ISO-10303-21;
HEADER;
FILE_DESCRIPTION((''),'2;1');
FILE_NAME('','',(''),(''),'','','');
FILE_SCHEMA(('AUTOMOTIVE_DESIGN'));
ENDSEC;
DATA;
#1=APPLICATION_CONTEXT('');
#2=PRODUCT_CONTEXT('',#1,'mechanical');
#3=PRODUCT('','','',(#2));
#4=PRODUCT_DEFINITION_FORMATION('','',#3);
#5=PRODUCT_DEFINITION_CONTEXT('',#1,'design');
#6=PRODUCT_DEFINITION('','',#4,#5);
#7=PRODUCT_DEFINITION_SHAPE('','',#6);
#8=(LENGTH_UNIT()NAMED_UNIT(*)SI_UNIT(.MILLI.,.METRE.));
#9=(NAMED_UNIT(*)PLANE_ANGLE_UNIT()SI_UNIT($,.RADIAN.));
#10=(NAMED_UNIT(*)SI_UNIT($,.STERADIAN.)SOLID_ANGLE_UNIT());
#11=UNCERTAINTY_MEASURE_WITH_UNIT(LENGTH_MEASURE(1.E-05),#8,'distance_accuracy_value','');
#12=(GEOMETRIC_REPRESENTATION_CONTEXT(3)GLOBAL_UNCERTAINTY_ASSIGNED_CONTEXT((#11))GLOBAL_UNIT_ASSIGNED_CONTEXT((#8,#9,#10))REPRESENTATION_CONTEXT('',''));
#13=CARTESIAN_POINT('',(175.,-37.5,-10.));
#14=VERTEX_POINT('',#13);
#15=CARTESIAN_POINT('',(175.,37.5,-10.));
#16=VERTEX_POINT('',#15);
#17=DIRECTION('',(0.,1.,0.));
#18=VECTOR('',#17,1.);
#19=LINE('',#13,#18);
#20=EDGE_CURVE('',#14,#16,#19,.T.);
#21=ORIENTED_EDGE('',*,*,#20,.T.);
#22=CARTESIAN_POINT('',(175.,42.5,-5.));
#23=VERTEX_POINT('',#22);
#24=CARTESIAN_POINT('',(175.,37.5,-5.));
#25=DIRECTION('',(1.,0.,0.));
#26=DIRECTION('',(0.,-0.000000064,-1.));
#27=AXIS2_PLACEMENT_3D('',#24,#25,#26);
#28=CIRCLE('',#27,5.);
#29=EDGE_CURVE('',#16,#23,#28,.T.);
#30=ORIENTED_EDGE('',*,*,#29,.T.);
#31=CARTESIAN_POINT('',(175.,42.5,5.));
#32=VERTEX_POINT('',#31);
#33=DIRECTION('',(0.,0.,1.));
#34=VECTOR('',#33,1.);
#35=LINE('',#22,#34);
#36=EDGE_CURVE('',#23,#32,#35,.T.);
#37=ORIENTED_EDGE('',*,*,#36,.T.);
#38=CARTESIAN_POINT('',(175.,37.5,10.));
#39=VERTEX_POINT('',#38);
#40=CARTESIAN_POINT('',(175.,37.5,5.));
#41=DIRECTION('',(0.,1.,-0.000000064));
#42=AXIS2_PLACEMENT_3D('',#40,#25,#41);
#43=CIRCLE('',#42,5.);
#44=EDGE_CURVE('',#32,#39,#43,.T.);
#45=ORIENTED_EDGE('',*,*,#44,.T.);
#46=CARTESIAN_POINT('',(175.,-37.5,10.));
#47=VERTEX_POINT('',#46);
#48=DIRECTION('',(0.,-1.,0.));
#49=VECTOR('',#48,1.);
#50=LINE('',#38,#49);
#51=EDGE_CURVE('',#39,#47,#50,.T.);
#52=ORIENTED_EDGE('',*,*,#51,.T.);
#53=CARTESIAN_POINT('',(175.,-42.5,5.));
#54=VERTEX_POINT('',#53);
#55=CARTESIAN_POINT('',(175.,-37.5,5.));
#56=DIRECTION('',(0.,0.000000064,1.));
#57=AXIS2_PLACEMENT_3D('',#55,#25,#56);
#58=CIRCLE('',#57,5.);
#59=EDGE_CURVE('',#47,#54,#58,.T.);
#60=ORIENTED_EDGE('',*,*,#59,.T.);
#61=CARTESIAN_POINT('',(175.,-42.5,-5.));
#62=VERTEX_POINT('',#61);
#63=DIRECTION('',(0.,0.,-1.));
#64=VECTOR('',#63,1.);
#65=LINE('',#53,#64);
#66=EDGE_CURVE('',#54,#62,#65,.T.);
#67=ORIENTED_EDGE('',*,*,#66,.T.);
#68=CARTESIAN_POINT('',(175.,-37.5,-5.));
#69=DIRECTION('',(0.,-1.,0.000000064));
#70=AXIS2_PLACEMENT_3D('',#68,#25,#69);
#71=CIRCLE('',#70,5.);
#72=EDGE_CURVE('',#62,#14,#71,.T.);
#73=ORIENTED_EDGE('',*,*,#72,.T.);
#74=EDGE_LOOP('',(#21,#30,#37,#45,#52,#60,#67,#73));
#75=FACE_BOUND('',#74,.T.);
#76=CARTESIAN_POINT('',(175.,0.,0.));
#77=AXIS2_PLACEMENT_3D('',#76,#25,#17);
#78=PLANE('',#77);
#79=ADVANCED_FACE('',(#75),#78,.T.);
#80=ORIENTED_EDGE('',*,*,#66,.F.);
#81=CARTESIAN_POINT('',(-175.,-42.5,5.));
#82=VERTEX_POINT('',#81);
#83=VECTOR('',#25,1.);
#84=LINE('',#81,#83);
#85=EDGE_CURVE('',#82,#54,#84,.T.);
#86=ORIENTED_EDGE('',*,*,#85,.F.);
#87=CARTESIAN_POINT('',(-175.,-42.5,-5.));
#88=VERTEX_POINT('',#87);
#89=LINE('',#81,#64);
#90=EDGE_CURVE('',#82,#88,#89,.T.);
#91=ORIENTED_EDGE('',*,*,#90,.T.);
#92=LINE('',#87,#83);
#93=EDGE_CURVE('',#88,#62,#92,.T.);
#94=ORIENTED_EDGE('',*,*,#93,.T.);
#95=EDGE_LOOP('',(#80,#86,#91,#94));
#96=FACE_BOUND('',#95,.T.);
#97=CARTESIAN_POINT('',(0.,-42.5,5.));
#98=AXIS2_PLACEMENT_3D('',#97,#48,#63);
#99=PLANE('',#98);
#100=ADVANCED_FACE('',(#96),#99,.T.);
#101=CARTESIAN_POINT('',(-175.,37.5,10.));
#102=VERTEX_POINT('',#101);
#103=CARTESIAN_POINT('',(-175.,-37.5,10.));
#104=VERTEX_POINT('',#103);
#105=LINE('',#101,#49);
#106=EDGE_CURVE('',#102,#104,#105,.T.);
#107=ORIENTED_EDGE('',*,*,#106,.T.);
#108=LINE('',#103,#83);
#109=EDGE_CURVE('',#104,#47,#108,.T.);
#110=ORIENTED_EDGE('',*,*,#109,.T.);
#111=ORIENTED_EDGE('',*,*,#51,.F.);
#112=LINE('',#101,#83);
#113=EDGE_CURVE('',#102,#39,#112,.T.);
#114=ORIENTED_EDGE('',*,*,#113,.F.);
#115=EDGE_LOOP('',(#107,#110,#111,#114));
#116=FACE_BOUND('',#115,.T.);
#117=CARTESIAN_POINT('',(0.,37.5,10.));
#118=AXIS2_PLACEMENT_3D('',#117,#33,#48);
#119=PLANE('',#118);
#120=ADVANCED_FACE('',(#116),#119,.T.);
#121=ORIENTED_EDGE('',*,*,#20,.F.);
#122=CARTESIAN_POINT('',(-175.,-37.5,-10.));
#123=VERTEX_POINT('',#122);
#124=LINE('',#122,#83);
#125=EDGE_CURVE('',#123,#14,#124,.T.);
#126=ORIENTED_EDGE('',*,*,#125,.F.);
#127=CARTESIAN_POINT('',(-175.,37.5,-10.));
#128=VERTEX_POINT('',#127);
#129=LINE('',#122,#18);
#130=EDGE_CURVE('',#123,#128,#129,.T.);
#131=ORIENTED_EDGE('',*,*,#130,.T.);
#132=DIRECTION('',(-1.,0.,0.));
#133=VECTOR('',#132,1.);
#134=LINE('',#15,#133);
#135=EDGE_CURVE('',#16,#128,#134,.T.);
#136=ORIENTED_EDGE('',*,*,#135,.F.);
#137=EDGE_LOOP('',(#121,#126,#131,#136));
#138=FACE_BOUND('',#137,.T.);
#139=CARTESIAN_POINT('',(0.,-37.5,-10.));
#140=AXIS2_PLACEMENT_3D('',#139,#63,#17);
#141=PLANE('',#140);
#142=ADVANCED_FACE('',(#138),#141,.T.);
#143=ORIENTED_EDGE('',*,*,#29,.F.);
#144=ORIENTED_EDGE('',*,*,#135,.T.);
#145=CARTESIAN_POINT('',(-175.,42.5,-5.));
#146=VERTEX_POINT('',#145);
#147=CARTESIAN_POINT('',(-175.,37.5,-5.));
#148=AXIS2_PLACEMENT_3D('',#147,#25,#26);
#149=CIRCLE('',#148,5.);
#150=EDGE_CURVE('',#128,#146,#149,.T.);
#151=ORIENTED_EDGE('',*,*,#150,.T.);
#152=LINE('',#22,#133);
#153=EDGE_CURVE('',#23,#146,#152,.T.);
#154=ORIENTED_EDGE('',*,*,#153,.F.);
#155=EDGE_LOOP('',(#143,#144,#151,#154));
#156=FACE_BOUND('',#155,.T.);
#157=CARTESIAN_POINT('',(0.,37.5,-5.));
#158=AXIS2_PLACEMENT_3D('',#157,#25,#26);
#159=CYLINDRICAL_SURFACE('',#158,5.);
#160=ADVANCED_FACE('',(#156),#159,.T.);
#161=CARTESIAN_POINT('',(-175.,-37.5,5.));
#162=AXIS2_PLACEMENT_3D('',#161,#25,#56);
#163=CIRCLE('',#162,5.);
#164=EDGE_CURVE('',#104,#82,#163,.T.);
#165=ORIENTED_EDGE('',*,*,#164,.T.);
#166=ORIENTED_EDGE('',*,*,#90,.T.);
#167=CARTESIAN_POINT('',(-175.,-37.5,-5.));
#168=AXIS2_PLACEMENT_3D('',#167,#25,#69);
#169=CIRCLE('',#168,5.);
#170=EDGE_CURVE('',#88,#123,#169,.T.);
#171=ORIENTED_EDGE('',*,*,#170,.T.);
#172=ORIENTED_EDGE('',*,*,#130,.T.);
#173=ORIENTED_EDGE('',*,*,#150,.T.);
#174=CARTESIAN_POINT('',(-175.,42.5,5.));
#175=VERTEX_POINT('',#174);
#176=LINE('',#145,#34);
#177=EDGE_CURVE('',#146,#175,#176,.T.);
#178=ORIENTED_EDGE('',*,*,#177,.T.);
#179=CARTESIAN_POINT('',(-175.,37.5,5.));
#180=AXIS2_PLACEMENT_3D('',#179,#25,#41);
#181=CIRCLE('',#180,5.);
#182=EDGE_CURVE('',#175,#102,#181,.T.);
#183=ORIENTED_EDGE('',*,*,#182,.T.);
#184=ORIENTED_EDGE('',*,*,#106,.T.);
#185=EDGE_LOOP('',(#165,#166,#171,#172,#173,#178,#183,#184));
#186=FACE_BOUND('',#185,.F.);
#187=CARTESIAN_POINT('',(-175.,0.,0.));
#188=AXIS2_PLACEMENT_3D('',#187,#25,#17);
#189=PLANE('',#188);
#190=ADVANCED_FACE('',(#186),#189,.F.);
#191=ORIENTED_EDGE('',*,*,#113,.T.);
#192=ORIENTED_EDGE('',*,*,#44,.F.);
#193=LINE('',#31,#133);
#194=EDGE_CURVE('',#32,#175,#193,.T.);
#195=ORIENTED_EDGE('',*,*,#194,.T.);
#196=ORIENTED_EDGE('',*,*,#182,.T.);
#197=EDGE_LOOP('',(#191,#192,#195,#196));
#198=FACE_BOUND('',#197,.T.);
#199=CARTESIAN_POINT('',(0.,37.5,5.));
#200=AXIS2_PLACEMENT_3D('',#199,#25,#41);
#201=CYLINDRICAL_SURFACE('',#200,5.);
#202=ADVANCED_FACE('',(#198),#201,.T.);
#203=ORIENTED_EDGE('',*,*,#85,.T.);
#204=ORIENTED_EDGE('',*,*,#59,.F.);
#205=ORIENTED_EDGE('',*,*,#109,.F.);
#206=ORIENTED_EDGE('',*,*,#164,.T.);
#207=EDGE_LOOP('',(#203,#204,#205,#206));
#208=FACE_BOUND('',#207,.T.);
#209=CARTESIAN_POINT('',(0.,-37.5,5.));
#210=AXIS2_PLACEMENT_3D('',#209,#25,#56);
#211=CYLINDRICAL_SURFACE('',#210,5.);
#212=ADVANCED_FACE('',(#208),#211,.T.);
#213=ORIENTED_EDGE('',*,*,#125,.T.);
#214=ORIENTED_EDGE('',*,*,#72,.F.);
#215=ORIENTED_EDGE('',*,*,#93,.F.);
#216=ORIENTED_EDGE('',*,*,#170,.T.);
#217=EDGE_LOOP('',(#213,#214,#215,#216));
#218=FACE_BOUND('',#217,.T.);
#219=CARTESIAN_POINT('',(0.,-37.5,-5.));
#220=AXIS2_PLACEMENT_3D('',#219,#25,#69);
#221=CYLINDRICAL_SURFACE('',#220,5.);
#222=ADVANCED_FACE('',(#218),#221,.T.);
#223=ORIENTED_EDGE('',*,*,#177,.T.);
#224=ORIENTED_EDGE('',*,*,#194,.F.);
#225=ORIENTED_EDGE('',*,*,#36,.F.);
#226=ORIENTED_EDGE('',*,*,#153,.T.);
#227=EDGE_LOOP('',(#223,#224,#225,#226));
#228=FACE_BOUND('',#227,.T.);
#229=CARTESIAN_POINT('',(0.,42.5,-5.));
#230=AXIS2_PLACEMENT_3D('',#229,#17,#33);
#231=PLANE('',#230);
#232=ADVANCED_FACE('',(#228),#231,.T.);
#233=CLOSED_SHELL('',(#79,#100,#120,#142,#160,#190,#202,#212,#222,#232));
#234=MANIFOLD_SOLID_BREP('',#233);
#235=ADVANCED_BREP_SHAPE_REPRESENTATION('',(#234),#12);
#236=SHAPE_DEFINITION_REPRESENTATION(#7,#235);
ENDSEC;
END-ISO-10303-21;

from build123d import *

# Parameters (mm, degrees)
F1_DEPTH = 175


with BuildPart() as f1:
    # F0 (on Right) → F1 (new body, symmetric)
    with BuildSketch(Plane.YZ):
        with BuildLine():
            ThreePointArc((42.5, 5), (41.035534, 8.535534), (37.5, 10))
            Line((37.5, 10), (-37.5, 10))
            ThreePointArc((-37.5, 10), (-41.035534, 8.535534), (-42.5, 5))
            Line((-42.5, 5), (-42.5, -5))
            ThreePointArc((-42.5, -5), (-41.035534, -8.535534), (-37.5, -10))
            Line((-37.5, -10), (37.5, -10))
            ThreePointArc((37.5, -10), (41.035534, -8.535534), (42.5, -5))
            Line((42.5, -5), (42.5, 5))
        make_face()
    extrude(amount=F1_DEPTH, both=True)


solid = f1.part
